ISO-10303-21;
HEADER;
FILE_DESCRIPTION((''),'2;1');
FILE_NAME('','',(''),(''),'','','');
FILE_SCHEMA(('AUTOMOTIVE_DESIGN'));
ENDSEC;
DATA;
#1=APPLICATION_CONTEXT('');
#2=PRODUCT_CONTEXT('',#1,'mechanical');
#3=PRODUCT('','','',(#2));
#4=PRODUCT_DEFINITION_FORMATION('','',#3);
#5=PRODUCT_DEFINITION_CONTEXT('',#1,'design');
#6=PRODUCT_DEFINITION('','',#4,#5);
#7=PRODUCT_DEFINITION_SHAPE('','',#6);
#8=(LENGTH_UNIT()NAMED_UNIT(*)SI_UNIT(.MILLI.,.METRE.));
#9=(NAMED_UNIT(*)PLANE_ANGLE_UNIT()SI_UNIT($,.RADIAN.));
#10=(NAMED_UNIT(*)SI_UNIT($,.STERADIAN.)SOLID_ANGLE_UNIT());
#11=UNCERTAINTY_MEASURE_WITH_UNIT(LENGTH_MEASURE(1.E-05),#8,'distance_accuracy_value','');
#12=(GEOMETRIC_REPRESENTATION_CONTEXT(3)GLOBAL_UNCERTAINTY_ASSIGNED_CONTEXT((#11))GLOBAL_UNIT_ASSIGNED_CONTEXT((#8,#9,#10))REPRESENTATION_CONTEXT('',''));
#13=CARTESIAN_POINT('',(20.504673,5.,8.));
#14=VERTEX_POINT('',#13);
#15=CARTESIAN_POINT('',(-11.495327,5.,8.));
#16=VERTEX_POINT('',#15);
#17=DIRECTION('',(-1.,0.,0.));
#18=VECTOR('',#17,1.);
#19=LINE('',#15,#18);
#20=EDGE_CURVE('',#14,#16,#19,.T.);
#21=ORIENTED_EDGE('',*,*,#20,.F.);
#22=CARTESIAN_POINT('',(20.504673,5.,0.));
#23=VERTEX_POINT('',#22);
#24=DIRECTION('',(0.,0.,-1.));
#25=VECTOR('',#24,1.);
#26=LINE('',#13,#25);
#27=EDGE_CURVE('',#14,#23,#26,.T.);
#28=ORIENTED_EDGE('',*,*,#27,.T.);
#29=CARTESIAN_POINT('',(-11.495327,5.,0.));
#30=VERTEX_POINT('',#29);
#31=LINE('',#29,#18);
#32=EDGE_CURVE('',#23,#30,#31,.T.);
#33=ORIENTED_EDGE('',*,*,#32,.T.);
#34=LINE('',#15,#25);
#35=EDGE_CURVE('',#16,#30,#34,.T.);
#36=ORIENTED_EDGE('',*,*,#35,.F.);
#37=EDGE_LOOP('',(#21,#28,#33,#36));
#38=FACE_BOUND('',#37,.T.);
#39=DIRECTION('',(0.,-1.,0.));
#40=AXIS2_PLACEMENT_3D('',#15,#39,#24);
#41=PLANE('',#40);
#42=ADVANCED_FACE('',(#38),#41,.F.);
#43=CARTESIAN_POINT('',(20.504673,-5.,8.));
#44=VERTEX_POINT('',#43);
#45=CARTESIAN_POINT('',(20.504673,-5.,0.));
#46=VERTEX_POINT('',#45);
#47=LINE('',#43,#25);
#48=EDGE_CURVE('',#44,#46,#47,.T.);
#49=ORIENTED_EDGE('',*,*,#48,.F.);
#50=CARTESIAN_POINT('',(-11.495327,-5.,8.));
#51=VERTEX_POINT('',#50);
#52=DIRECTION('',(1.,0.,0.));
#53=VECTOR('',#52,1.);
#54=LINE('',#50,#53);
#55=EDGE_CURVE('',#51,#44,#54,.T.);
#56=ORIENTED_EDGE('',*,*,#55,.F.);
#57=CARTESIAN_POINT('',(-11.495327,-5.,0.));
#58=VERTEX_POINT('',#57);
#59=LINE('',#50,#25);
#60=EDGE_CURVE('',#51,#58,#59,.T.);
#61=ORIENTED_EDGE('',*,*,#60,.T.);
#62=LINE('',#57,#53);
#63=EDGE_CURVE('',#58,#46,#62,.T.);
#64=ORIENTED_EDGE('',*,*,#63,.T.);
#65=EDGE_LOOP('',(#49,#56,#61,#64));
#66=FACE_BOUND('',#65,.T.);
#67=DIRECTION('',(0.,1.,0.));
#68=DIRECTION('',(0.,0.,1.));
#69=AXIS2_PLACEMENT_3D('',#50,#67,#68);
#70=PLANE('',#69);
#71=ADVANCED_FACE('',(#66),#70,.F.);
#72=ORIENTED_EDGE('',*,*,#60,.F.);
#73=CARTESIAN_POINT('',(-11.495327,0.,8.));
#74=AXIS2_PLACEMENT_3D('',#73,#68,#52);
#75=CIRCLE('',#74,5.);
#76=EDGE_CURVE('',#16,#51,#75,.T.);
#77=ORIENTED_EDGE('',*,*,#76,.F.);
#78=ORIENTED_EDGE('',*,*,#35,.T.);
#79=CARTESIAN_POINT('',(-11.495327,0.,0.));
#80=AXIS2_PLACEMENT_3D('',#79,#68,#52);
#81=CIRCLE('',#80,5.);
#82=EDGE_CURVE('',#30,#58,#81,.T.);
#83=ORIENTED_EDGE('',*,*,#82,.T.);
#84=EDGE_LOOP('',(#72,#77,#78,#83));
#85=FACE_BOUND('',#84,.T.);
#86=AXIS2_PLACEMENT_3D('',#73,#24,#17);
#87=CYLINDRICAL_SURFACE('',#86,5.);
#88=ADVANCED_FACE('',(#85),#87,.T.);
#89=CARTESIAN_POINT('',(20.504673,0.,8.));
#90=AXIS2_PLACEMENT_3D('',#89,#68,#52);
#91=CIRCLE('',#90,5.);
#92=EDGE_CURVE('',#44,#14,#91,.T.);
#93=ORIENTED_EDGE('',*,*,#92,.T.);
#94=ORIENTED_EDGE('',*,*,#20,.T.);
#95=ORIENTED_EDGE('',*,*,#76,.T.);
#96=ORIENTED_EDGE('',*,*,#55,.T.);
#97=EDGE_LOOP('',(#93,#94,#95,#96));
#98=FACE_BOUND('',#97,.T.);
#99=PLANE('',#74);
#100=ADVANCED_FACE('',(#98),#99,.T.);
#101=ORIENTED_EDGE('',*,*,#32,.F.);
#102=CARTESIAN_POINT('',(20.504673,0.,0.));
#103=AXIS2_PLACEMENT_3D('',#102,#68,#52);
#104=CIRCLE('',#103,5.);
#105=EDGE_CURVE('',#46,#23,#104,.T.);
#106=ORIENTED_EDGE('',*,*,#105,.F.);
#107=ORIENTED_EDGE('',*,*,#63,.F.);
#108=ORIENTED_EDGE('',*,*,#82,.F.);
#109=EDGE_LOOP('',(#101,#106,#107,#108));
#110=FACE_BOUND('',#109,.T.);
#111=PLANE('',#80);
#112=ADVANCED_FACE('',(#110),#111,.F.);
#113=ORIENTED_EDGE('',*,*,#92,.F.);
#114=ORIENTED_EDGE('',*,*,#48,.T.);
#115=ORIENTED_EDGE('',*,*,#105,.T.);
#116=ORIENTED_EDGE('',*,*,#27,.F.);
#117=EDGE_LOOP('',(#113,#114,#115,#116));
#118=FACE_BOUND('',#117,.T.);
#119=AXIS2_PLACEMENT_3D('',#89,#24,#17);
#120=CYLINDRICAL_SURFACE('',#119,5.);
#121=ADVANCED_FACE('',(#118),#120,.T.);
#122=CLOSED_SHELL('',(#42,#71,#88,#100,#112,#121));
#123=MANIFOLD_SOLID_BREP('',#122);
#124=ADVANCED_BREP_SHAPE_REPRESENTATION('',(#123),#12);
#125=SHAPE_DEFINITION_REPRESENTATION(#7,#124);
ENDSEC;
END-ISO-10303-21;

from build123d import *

# Parameters (mm, degrees)
BOSS_EXTRUDE1_DEPTH = 8


with BuildPart() as part:
    # Sketch2 → Boss-Extrude1 (new body)
    with BuildSketch(Plane.XY):
        with BuildLine():
            Line((-11.495327103, 5), (20.504672897, 5))
            ThreePointArc((20.504672897, 5), (25.504672897, 0), (20.504672897, -5))
            Line((20.504672897, -5), (-11.495327103, -5))
            ThreePointArc((-11.495327103, -5), (-16.495327103, 0), (-11.495327103, 5))
        make_face()
    extrude(amount=BOSS_EXTRUDE1_DEPTH)


solid = part.part
